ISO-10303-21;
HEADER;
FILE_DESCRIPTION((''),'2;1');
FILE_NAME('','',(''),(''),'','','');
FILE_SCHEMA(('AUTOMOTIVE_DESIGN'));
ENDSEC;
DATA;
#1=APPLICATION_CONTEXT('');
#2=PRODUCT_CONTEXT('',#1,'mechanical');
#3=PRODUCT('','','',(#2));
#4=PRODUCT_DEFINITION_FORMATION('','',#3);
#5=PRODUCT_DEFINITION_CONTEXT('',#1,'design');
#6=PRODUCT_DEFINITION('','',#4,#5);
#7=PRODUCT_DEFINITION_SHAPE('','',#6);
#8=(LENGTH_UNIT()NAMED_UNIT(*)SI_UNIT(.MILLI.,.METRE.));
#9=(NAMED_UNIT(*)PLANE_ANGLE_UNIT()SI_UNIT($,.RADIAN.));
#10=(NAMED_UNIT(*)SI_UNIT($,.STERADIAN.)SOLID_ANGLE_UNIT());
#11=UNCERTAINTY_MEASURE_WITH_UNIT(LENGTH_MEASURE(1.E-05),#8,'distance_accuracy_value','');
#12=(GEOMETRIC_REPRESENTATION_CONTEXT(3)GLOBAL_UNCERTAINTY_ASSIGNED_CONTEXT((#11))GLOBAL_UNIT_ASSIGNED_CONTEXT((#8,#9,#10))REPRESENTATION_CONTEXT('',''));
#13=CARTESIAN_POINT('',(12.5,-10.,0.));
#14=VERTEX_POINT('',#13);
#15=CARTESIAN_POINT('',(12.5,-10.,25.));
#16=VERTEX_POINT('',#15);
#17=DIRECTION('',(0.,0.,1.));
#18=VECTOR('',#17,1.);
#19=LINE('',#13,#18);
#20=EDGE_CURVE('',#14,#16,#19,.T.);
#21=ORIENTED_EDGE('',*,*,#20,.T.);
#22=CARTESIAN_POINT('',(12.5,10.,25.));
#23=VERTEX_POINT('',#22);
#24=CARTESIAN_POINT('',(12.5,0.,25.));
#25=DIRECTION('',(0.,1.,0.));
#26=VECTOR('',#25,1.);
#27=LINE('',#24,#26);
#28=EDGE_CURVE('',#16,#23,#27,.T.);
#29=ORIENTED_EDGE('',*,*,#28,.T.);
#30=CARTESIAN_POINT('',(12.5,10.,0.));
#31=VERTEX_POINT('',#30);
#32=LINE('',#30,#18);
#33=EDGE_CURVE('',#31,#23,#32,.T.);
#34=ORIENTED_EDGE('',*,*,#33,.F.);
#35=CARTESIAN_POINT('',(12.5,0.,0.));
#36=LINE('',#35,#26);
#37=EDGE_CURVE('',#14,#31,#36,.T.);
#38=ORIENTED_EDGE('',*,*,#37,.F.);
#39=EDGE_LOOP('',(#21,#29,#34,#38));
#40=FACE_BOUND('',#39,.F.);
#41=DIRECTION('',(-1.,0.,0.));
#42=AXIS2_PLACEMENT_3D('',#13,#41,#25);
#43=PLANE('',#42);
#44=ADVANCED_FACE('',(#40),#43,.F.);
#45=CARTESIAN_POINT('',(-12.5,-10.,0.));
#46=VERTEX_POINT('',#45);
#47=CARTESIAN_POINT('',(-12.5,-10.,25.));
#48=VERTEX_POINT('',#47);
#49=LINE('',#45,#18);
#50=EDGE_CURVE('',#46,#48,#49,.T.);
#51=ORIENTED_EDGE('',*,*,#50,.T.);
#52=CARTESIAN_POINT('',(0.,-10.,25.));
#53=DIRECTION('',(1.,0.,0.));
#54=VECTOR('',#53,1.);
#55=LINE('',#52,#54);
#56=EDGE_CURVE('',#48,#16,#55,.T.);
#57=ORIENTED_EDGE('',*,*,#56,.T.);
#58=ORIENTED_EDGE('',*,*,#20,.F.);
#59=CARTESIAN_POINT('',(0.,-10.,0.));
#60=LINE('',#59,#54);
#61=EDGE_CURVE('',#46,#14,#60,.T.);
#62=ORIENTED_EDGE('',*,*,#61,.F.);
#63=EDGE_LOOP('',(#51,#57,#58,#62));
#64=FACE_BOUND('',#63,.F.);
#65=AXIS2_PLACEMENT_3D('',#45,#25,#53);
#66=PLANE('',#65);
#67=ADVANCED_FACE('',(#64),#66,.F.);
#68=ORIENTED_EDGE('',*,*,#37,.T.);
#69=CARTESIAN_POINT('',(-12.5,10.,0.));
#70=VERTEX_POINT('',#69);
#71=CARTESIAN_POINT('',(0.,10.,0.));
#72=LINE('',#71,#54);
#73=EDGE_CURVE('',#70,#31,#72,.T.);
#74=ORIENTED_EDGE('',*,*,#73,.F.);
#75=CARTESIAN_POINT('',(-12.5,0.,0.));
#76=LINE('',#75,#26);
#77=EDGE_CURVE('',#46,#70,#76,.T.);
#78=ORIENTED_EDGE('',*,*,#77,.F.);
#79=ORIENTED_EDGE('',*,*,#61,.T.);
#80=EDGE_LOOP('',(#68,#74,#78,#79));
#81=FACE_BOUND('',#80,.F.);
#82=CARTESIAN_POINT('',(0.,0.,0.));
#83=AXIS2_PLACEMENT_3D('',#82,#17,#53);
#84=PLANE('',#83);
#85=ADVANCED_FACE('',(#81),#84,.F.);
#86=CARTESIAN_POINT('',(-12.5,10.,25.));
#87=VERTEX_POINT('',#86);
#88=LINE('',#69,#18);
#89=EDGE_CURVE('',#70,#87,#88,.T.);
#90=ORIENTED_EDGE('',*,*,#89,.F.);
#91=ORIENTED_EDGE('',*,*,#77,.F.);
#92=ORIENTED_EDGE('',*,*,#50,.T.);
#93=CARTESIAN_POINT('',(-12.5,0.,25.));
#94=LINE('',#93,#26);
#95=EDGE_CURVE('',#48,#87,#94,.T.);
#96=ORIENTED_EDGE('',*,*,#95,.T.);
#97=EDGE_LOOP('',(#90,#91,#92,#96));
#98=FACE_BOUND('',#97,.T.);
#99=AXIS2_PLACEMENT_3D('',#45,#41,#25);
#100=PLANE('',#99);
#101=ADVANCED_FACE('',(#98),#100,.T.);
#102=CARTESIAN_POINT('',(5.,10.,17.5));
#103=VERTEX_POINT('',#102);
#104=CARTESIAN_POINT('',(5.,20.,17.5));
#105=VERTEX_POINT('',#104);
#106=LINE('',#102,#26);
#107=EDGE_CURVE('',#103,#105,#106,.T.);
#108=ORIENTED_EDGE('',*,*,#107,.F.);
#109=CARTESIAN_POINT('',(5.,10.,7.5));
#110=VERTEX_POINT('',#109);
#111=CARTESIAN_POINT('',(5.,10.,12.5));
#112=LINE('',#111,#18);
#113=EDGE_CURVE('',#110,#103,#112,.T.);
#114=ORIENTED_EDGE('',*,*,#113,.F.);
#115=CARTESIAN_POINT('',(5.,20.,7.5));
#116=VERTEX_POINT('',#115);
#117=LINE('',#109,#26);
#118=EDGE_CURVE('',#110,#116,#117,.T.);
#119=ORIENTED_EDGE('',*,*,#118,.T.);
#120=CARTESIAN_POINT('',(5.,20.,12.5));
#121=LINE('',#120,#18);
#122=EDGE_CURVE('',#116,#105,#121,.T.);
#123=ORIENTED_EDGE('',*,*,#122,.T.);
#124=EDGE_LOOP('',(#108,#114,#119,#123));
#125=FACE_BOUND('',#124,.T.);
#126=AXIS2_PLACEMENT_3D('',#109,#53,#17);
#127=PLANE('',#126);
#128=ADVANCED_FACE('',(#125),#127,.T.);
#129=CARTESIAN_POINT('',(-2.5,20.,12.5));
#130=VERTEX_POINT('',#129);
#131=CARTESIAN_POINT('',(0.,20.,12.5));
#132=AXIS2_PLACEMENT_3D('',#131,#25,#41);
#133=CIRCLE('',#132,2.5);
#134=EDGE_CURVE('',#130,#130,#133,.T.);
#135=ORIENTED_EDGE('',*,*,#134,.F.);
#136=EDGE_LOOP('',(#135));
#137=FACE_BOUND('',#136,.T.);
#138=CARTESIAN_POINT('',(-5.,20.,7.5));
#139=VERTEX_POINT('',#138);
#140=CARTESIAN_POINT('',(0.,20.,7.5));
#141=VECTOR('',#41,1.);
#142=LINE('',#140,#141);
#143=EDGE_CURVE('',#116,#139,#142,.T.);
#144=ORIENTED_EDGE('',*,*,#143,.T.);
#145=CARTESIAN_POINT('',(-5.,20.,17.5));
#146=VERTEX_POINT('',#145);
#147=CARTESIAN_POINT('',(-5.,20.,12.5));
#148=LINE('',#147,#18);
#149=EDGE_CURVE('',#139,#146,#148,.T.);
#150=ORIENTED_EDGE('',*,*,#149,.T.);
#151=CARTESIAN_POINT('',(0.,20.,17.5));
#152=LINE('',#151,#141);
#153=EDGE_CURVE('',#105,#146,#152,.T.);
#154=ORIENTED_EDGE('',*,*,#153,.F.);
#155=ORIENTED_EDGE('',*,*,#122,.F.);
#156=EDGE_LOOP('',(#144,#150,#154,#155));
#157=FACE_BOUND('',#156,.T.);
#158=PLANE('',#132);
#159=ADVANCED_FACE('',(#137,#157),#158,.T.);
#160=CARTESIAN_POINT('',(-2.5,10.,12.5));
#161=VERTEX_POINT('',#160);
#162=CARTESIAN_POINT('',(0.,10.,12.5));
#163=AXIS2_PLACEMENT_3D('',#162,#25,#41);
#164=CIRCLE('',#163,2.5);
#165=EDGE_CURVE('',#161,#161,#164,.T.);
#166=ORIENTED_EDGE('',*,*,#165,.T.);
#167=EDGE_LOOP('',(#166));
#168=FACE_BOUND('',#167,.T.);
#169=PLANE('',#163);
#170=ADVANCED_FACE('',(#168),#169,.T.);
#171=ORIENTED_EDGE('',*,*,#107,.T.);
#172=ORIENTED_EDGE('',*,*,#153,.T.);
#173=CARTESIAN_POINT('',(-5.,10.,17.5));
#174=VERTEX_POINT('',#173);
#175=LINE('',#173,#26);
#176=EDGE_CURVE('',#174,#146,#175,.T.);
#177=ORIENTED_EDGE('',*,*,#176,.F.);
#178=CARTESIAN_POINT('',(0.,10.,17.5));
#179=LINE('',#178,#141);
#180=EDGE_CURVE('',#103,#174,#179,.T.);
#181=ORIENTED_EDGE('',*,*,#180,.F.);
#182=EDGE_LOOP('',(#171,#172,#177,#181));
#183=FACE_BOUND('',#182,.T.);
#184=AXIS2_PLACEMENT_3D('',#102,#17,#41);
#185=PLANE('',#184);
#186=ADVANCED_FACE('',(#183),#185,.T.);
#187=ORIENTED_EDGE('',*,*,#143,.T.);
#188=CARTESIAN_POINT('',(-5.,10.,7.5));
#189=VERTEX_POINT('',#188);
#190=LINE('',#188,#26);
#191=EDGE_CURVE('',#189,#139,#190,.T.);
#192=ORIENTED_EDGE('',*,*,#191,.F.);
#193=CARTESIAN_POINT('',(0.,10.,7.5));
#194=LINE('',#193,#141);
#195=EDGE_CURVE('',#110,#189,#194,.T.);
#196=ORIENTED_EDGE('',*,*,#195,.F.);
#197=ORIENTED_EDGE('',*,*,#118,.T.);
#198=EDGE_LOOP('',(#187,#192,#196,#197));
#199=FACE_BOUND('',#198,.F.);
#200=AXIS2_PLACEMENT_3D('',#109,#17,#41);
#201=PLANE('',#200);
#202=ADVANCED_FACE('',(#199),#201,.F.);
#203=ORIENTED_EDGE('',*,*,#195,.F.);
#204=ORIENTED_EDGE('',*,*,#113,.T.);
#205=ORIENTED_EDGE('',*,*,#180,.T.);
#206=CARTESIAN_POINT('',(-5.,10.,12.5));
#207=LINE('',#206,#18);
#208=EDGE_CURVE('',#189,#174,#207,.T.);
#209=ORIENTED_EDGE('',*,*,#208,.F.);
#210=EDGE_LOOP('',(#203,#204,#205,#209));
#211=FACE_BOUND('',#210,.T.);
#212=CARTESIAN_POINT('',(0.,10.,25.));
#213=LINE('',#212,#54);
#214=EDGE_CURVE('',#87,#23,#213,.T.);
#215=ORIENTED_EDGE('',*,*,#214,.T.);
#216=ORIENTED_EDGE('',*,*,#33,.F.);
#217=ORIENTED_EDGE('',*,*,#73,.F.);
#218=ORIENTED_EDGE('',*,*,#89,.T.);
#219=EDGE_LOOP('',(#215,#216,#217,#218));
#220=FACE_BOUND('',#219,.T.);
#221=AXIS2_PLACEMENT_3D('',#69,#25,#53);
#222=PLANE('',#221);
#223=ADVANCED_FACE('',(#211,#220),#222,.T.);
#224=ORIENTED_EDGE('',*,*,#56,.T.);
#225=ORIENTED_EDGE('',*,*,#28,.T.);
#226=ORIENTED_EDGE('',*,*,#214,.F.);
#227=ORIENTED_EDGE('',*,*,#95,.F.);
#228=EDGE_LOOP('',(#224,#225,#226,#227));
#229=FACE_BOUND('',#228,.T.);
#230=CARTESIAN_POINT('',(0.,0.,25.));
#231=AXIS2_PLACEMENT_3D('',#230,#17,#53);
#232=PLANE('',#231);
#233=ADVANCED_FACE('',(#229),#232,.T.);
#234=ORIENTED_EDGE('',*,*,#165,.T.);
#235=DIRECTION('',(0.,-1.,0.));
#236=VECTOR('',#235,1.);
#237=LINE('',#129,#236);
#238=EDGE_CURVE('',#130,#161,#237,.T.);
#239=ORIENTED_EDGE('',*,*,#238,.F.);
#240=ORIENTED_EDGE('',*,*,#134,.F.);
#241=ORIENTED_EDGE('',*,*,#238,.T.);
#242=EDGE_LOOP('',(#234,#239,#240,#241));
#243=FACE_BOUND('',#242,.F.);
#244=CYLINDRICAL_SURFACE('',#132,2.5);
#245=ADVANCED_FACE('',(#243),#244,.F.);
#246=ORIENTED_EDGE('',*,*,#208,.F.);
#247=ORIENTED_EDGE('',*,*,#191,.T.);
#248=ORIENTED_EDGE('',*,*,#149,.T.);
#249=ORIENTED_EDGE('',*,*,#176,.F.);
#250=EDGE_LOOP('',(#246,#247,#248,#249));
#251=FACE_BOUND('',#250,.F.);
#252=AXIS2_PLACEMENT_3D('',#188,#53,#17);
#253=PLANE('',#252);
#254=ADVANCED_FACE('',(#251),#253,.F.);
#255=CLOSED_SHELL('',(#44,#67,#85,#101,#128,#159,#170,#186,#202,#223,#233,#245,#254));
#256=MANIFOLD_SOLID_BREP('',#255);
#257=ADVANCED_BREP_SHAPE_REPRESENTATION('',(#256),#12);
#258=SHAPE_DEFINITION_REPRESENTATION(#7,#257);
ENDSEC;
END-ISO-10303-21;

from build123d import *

# Parameters (mm, degrees)
F0_W     = 25
F0_H     = 20
F1_DEPTH = 25
F2_W     = 10
F2_H     = 10
F3_DEPTH = 10
F4_R     = 2.5
F5_DEPTH = 10


with BuildPart() as f1:
    # F0 (on Top) → F1 (new body)
    with BuildSketch(Plane.XY):
        Rectangle(F0_W, F0_H)
    extrude(amount=F1_DEPTH)

    # F2 (on face) → F3 (join)
    with BuildSketch(Plane(origin=(0, 10, 0), x_dir=(-1, 0, 0), z_dir=(0, 1, 0))):
        with Locations((0, 12.5)):
            Rectangle(F2_W, F2_H)
    extrude(amount=F3_DEPTH)

    # F4 (on face) → F5 (cut, through all)
    with BuildSketch(Plane(origin=(0, 20, 0), x_dir=(-1, 0, 0), z_dir=(0, 1, 0))):
        with Locations((0, 12.5)):
            Circle(F4_R)
    extrude(amount=-F5_DEPTH, mode=Mode.SUBTRACT)


solid = f1.part
